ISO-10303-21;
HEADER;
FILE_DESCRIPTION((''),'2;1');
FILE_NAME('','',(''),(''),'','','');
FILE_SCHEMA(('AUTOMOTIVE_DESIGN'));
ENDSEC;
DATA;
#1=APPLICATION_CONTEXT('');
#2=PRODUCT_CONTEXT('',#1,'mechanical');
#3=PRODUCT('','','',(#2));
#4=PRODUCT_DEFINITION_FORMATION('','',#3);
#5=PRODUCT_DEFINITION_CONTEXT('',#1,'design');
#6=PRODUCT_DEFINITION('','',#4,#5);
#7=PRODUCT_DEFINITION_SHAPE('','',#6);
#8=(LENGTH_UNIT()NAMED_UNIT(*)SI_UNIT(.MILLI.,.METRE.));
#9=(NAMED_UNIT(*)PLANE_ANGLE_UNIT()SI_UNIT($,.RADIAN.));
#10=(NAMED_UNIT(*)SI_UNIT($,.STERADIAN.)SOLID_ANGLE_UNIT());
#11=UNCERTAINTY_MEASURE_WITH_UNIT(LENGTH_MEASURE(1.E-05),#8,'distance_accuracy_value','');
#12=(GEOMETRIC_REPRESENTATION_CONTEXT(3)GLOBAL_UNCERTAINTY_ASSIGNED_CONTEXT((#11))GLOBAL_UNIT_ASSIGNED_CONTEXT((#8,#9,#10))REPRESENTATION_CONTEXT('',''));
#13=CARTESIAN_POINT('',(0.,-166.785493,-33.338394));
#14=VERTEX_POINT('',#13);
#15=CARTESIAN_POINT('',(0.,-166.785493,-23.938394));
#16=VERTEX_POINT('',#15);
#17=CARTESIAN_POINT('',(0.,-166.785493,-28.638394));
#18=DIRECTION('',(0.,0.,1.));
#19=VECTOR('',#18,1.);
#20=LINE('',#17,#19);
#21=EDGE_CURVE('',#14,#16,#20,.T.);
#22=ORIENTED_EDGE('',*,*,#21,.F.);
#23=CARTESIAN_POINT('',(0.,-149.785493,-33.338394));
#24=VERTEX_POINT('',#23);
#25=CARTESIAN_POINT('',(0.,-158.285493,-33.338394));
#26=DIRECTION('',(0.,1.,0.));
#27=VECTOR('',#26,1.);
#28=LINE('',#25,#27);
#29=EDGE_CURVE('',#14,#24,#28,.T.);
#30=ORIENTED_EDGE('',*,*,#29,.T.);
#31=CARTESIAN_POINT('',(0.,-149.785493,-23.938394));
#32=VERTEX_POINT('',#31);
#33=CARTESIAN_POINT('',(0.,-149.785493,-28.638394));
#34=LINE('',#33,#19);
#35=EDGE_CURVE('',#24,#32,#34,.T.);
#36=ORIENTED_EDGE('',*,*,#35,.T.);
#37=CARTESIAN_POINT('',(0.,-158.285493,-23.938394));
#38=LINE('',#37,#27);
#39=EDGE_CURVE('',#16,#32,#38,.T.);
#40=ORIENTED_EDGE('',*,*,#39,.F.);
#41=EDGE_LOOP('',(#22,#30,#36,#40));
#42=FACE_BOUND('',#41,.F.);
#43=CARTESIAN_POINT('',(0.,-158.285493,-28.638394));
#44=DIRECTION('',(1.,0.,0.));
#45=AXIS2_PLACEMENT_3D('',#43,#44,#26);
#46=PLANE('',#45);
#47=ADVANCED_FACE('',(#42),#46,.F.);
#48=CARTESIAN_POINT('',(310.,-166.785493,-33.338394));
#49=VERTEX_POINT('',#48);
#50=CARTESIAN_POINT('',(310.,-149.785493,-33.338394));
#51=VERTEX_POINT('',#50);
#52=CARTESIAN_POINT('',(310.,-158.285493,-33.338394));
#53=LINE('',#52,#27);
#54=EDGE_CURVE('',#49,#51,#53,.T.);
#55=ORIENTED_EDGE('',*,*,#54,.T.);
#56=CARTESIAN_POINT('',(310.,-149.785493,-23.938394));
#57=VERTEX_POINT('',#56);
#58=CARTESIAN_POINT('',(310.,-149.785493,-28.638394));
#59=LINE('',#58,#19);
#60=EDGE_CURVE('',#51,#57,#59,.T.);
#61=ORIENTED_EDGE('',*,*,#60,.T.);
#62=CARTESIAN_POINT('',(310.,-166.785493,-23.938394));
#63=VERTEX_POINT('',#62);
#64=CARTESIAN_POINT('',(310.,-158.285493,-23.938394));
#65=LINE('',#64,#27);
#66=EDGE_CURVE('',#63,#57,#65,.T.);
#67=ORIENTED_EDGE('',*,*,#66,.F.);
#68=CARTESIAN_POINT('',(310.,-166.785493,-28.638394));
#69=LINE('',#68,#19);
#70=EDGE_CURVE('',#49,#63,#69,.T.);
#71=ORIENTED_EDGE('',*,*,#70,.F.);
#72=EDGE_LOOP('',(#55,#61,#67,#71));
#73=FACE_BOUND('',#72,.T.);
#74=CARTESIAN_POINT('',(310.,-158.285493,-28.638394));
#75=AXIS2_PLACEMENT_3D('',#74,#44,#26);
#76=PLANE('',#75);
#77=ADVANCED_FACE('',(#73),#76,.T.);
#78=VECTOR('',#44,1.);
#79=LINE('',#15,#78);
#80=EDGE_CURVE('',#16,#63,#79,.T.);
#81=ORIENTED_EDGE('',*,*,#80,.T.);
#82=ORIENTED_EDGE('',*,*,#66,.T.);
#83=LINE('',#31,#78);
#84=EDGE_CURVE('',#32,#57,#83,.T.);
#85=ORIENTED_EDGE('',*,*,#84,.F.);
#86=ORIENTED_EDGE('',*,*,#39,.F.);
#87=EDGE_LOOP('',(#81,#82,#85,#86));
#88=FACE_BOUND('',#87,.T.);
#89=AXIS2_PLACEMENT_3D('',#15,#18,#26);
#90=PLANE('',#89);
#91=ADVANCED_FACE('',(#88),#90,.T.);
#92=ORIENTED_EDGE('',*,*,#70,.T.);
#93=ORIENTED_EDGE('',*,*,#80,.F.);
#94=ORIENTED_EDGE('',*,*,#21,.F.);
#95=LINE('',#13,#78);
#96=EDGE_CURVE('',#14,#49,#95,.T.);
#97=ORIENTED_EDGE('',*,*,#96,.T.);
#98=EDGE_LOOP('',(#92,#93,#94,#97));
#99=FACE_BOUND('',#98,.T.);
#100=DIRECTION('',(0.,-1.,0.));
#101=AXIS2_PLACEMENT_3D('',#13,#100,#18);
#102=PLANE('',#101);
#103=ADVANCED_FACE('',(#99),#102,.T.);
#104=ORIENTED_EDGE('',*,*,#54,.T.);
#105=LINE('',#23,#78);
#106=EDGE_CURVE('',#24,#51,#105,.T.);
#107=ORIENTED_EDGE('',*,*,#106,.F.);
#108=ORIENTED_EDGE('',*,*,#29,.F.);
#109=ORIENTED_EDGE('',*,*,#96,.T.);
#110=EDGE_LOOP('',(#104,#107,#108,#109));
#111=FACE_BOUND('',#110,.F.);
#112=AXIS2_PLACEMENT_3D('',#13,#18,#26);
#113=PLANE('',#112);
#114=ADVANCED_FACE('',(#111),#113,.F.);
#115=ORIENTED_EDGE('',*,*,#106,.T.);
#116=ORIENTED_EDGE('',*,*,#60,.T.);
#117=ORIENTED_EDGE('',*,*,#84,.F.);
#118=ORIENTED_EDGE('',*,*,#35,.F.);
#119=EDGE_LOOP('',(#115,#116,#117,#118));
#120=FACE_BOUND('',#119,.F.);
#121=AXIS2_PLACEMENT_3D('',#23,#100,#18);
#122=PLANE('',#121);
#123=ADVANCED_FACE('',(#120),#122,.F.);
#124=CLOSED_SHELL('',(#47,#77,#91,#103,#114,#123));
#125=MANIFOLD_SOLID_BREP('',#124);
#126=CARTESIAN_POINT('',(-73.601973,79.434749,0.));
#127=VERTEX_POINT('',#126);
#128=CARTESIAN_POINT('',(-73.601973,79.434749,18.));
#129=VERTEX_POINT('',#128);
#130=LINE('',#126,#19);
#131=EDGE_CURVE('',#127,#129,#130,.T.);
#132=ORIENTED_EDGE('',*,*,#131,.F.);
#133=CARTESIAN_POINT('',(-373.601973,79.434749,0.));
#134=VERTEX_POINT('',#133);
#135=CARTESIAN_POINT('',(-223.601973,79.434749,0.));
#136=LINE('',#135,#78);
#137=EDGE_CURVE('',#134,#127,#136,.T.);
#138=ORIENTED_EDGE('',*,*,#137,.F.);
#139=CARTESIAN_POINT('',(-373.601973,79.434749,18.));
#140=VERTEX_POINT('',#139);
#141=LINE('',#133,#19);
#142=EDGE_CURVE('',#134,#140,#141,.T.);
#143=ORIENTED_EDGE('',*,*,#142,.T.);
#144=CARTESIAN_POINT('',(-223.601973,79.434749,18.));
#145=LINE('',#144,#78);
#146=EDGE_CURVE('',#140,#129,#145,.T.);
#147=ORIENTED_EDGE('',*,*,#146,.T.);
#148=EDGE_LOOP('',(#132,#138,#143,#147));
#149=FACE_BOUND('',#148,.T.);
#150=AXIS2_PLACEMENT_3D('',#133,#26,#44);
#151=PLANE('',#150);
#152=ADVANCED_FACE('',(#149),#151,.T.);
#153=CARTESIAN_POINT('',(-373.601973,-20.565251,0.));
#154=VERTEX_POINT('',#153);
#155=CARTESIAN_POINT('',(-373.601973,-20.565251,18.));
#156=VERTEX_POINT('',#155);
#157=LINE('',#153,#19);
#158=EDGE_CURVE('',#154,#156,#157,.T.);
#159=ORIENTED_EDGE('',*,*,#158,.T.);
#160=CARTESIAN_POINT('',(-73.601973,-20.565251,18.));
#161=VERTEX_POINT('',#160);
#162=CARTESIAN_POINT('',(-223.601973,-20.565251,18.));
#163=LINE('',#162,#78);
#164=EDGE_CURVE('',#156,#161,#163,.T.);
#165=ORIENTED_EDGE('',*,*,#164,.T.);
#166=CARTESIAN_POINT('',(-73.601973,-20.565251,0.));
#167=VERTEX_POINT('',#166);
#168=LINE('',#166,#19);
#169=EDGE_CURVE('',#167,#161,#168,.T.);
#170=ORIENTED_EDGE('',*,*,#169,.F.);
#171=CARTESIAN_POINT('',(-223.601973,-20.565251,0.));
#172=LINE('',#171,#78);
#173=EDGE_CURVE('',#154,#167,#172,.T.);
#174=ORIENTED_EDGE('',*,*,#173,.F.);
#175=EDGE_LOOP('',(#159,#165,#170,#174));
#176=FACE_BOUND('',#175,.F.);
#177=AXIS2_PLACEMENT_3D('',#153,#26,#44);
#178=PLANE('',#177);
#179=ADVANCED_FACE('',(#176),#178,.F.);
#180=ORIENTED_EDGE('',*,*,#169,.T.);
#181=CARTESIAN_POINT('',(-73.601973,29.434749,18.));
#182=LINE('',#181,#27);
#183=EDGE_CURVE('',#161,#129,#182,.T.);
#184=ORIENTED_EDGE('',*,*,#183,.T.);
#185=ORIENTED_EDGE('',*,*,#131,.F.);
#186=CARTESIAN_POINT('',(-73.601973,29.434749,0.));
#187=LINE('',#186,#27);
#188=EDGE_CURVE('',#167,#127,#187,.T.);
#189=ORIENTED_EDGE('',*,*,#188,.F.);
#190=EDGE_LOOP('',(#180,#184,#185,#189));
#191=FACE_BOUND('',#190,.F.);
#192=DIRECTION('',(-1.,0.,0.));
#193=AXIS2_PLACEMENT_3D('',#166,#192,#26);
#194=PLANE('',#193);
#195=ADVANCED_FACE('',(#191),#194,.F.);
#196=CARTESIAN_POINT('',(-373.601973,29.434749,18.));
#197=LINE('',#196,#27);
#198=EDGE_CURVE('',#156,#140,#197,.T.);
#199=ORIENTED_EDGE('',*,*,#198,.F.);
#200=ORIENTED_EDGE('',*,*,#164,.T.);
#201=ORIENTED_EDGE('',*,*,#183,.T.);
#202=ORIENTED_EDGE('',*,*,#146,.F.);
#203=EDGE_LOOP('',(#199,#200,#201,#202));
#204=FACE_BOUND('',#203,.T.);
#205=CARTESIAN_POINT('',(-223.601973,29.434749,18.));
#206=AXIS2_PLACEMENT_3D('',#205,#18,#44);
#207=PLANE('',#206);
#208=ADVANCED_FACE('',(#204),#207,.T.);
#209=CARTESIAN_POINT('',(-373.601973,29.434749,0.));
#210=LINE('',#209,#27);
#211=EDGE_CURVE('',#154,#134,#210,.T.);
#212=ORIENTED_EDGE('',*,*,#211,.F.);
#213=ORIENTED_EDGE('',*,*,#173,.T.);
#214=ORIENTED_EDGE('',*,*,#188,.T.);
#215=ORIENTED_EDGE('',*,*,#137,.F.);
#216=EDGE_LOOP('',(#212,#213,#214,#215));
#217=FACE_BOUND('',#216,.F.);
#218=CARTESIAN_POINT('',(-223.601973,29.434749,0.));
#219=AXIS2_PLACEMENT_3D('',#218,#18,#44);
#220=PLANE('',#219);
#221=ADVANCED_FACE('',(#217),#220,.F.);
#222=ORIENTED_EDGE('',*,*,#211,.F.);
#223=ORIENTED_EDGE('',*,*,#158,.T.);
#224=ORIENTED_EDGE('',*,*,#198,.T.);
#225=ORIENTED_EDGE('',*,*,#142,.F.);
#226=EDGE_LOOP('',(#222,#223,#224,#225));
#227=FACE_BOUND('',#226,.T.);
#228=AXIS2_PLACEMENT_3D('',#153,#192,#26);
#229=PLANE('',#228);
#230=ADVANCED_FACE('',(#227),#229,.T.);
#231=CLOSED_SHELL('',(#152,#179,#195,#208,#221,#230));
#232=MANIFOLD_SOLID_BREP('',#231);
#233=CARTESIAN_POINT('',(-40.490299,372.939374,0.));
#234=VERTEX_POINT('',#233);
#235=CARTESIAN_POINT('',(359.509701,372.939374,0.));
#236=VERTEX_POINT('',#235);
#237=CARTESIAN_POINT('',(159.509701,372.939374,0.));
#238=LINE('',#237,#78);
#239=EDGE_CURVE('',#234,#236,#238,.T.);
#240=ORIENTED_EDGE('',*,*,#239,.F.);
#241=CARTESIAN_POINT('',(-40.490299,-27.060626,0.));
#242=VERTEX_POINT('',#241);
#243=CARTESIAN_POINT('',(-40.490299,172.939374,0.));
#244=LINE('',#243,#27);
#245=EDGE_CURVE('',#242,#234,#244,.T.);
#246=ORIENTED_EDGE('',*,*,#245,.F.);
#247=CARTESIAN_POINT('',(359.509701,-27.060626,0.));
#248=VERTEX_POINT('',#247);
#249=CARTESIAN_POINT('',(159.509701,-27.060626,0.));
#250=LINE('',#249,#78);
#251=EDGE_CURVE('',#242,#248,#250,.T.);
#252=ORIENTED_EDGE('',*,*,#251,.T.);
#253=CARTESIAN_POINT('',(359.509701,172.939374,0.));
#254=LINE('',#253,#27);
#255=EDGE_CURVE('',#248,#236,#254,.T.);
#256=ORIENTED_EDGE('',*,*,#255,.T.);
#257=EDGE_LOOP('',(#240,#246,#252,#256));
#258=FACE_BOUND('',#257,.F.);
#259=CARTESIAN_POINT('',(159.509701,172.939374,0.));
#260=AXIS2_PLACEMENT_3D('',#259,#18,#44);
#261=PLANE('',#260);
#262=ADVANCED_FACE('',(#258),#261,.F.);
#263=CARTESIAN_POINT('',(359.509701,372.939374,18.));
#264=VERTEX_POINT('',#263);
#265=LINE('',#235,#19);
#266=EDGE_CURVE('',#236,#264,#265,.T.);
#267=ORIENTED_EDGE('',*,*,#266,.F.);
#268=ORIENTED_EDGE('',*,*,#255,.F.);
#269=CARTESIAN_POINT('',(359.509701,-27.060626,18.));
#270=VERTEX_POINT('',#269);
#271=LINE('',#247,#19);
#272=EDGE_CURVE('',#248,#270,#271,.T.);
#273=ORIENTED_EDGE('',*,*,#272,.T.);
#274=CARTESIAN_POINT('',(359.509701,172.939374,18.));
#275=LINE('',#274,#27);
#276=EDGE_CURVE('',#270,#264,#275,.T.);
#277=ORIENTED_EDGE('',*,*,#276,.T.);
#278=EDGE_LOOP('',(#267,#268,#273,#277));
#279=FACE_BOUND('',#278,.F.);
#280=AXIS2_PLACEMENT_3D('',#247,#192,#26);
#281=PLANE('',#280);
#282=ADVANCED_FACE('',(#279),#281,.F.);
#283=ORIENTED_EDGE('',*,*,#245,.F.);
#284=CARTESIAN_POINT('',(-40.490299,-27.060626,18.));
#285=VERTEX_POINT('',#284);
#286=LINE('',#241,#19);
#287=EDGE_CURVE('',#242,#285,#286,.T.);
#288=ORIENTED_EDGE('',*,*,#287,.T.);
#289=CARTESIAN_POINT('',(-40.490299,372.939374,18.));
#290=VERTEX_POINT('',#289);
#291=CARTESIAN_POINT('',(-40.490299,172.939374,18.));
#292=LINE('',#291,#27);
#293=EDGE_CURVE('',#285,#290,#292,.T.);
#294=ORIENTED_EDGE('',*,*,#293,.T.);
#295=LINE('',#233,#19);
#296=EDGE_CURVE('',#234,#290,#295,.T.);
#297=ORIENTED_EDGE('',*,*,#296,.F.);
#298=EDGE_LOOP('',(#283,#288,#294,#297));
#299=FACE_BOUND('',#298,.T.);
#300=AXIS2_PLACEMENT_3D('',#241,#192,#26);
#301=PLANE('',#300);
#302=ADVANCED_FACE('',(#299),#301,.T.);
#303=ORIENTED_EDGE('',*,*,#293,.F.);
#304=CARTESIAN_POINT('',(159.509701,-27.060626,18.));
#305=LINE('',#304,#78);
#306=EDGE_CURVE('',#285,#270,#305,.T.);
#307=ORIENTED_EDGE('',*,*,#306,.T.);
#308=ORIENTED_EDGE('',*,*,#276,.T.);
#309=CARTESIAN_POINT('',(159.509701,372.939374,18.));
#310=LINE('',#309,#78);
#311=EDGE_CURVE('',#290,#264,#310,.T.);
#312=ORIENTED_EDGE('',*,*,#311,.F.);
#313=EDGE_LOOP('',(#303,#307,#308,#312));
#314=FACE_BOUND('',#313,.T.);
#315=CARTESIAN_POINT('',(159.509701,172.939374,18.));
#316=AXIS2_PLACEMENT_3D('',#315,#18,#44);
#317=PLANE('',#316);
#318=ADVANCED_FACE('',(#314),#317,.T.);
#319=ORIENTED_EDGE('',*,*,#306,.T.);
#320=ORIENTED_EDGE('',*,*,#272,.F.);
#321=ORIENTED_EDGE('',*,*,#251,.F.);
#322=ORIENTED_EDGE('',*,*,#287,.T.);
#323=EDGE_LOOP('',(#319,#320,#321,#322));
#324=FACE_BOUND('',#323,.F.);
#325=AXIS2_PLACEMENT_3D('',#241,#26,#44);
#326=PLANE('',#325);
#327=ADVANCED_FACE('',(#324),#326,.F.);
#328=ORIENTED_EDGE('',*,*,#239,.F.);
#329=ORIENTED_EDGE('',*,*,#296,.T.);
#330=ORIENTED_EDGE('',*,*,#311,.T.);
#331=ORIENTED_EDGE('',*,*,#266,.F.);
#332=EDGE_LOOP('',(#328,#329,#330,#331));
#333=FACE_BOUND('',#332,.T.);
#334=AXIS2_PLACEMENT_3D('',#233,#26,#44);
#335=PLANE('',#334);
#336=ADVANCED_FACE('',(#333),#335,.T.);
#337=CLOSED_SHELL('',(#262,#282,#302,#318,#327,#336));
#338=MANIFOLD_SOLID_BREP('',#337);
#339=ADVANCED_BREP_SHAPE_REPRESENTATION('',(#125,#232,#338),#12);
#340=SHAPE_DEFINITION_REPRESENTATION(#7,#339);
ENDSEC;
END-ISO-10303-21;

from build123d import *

# Parameters (mm, degrees)
F0_W     = 400
F0_H     = 400
F1_DEPTH = 18
F2_W     = 17
F2_H     = 9.4
F3_DEPTH = 310
F4_W     = 300
F4_H     = 100
F5_DEPTH = 18


with BuildPart() as f1:
    # F0 (on Top) → F1 (new body)
    with BuildSketch(Plane.XY):
        with Locations((159.509701, 172.939374)):
            Rectangle(F0_W, F0_H)
    extrude(amount=F1_DEPTH)


with BuildPart() as f3:
    # F2 (on Right) → F3 (new body)
    with BuildSketch(Plane.YZ):
        with Locations((-158.285493, -28.638394)):
            Rectangle(F2_W, F2_H)
    extrude(amount=F3_DEPTH)


with BuildPart() as f5:
    # F4 (on Top) → F5 (new body)
    with BuildSketch(Plane.XY):
        with Locations((-223.601973, 29.434749)):
            Rectangle(F4_W, F4_H)
    extrude(amount=F5_DEPTH)


solid = Compound([f1.part, f3.part, f5.part])
